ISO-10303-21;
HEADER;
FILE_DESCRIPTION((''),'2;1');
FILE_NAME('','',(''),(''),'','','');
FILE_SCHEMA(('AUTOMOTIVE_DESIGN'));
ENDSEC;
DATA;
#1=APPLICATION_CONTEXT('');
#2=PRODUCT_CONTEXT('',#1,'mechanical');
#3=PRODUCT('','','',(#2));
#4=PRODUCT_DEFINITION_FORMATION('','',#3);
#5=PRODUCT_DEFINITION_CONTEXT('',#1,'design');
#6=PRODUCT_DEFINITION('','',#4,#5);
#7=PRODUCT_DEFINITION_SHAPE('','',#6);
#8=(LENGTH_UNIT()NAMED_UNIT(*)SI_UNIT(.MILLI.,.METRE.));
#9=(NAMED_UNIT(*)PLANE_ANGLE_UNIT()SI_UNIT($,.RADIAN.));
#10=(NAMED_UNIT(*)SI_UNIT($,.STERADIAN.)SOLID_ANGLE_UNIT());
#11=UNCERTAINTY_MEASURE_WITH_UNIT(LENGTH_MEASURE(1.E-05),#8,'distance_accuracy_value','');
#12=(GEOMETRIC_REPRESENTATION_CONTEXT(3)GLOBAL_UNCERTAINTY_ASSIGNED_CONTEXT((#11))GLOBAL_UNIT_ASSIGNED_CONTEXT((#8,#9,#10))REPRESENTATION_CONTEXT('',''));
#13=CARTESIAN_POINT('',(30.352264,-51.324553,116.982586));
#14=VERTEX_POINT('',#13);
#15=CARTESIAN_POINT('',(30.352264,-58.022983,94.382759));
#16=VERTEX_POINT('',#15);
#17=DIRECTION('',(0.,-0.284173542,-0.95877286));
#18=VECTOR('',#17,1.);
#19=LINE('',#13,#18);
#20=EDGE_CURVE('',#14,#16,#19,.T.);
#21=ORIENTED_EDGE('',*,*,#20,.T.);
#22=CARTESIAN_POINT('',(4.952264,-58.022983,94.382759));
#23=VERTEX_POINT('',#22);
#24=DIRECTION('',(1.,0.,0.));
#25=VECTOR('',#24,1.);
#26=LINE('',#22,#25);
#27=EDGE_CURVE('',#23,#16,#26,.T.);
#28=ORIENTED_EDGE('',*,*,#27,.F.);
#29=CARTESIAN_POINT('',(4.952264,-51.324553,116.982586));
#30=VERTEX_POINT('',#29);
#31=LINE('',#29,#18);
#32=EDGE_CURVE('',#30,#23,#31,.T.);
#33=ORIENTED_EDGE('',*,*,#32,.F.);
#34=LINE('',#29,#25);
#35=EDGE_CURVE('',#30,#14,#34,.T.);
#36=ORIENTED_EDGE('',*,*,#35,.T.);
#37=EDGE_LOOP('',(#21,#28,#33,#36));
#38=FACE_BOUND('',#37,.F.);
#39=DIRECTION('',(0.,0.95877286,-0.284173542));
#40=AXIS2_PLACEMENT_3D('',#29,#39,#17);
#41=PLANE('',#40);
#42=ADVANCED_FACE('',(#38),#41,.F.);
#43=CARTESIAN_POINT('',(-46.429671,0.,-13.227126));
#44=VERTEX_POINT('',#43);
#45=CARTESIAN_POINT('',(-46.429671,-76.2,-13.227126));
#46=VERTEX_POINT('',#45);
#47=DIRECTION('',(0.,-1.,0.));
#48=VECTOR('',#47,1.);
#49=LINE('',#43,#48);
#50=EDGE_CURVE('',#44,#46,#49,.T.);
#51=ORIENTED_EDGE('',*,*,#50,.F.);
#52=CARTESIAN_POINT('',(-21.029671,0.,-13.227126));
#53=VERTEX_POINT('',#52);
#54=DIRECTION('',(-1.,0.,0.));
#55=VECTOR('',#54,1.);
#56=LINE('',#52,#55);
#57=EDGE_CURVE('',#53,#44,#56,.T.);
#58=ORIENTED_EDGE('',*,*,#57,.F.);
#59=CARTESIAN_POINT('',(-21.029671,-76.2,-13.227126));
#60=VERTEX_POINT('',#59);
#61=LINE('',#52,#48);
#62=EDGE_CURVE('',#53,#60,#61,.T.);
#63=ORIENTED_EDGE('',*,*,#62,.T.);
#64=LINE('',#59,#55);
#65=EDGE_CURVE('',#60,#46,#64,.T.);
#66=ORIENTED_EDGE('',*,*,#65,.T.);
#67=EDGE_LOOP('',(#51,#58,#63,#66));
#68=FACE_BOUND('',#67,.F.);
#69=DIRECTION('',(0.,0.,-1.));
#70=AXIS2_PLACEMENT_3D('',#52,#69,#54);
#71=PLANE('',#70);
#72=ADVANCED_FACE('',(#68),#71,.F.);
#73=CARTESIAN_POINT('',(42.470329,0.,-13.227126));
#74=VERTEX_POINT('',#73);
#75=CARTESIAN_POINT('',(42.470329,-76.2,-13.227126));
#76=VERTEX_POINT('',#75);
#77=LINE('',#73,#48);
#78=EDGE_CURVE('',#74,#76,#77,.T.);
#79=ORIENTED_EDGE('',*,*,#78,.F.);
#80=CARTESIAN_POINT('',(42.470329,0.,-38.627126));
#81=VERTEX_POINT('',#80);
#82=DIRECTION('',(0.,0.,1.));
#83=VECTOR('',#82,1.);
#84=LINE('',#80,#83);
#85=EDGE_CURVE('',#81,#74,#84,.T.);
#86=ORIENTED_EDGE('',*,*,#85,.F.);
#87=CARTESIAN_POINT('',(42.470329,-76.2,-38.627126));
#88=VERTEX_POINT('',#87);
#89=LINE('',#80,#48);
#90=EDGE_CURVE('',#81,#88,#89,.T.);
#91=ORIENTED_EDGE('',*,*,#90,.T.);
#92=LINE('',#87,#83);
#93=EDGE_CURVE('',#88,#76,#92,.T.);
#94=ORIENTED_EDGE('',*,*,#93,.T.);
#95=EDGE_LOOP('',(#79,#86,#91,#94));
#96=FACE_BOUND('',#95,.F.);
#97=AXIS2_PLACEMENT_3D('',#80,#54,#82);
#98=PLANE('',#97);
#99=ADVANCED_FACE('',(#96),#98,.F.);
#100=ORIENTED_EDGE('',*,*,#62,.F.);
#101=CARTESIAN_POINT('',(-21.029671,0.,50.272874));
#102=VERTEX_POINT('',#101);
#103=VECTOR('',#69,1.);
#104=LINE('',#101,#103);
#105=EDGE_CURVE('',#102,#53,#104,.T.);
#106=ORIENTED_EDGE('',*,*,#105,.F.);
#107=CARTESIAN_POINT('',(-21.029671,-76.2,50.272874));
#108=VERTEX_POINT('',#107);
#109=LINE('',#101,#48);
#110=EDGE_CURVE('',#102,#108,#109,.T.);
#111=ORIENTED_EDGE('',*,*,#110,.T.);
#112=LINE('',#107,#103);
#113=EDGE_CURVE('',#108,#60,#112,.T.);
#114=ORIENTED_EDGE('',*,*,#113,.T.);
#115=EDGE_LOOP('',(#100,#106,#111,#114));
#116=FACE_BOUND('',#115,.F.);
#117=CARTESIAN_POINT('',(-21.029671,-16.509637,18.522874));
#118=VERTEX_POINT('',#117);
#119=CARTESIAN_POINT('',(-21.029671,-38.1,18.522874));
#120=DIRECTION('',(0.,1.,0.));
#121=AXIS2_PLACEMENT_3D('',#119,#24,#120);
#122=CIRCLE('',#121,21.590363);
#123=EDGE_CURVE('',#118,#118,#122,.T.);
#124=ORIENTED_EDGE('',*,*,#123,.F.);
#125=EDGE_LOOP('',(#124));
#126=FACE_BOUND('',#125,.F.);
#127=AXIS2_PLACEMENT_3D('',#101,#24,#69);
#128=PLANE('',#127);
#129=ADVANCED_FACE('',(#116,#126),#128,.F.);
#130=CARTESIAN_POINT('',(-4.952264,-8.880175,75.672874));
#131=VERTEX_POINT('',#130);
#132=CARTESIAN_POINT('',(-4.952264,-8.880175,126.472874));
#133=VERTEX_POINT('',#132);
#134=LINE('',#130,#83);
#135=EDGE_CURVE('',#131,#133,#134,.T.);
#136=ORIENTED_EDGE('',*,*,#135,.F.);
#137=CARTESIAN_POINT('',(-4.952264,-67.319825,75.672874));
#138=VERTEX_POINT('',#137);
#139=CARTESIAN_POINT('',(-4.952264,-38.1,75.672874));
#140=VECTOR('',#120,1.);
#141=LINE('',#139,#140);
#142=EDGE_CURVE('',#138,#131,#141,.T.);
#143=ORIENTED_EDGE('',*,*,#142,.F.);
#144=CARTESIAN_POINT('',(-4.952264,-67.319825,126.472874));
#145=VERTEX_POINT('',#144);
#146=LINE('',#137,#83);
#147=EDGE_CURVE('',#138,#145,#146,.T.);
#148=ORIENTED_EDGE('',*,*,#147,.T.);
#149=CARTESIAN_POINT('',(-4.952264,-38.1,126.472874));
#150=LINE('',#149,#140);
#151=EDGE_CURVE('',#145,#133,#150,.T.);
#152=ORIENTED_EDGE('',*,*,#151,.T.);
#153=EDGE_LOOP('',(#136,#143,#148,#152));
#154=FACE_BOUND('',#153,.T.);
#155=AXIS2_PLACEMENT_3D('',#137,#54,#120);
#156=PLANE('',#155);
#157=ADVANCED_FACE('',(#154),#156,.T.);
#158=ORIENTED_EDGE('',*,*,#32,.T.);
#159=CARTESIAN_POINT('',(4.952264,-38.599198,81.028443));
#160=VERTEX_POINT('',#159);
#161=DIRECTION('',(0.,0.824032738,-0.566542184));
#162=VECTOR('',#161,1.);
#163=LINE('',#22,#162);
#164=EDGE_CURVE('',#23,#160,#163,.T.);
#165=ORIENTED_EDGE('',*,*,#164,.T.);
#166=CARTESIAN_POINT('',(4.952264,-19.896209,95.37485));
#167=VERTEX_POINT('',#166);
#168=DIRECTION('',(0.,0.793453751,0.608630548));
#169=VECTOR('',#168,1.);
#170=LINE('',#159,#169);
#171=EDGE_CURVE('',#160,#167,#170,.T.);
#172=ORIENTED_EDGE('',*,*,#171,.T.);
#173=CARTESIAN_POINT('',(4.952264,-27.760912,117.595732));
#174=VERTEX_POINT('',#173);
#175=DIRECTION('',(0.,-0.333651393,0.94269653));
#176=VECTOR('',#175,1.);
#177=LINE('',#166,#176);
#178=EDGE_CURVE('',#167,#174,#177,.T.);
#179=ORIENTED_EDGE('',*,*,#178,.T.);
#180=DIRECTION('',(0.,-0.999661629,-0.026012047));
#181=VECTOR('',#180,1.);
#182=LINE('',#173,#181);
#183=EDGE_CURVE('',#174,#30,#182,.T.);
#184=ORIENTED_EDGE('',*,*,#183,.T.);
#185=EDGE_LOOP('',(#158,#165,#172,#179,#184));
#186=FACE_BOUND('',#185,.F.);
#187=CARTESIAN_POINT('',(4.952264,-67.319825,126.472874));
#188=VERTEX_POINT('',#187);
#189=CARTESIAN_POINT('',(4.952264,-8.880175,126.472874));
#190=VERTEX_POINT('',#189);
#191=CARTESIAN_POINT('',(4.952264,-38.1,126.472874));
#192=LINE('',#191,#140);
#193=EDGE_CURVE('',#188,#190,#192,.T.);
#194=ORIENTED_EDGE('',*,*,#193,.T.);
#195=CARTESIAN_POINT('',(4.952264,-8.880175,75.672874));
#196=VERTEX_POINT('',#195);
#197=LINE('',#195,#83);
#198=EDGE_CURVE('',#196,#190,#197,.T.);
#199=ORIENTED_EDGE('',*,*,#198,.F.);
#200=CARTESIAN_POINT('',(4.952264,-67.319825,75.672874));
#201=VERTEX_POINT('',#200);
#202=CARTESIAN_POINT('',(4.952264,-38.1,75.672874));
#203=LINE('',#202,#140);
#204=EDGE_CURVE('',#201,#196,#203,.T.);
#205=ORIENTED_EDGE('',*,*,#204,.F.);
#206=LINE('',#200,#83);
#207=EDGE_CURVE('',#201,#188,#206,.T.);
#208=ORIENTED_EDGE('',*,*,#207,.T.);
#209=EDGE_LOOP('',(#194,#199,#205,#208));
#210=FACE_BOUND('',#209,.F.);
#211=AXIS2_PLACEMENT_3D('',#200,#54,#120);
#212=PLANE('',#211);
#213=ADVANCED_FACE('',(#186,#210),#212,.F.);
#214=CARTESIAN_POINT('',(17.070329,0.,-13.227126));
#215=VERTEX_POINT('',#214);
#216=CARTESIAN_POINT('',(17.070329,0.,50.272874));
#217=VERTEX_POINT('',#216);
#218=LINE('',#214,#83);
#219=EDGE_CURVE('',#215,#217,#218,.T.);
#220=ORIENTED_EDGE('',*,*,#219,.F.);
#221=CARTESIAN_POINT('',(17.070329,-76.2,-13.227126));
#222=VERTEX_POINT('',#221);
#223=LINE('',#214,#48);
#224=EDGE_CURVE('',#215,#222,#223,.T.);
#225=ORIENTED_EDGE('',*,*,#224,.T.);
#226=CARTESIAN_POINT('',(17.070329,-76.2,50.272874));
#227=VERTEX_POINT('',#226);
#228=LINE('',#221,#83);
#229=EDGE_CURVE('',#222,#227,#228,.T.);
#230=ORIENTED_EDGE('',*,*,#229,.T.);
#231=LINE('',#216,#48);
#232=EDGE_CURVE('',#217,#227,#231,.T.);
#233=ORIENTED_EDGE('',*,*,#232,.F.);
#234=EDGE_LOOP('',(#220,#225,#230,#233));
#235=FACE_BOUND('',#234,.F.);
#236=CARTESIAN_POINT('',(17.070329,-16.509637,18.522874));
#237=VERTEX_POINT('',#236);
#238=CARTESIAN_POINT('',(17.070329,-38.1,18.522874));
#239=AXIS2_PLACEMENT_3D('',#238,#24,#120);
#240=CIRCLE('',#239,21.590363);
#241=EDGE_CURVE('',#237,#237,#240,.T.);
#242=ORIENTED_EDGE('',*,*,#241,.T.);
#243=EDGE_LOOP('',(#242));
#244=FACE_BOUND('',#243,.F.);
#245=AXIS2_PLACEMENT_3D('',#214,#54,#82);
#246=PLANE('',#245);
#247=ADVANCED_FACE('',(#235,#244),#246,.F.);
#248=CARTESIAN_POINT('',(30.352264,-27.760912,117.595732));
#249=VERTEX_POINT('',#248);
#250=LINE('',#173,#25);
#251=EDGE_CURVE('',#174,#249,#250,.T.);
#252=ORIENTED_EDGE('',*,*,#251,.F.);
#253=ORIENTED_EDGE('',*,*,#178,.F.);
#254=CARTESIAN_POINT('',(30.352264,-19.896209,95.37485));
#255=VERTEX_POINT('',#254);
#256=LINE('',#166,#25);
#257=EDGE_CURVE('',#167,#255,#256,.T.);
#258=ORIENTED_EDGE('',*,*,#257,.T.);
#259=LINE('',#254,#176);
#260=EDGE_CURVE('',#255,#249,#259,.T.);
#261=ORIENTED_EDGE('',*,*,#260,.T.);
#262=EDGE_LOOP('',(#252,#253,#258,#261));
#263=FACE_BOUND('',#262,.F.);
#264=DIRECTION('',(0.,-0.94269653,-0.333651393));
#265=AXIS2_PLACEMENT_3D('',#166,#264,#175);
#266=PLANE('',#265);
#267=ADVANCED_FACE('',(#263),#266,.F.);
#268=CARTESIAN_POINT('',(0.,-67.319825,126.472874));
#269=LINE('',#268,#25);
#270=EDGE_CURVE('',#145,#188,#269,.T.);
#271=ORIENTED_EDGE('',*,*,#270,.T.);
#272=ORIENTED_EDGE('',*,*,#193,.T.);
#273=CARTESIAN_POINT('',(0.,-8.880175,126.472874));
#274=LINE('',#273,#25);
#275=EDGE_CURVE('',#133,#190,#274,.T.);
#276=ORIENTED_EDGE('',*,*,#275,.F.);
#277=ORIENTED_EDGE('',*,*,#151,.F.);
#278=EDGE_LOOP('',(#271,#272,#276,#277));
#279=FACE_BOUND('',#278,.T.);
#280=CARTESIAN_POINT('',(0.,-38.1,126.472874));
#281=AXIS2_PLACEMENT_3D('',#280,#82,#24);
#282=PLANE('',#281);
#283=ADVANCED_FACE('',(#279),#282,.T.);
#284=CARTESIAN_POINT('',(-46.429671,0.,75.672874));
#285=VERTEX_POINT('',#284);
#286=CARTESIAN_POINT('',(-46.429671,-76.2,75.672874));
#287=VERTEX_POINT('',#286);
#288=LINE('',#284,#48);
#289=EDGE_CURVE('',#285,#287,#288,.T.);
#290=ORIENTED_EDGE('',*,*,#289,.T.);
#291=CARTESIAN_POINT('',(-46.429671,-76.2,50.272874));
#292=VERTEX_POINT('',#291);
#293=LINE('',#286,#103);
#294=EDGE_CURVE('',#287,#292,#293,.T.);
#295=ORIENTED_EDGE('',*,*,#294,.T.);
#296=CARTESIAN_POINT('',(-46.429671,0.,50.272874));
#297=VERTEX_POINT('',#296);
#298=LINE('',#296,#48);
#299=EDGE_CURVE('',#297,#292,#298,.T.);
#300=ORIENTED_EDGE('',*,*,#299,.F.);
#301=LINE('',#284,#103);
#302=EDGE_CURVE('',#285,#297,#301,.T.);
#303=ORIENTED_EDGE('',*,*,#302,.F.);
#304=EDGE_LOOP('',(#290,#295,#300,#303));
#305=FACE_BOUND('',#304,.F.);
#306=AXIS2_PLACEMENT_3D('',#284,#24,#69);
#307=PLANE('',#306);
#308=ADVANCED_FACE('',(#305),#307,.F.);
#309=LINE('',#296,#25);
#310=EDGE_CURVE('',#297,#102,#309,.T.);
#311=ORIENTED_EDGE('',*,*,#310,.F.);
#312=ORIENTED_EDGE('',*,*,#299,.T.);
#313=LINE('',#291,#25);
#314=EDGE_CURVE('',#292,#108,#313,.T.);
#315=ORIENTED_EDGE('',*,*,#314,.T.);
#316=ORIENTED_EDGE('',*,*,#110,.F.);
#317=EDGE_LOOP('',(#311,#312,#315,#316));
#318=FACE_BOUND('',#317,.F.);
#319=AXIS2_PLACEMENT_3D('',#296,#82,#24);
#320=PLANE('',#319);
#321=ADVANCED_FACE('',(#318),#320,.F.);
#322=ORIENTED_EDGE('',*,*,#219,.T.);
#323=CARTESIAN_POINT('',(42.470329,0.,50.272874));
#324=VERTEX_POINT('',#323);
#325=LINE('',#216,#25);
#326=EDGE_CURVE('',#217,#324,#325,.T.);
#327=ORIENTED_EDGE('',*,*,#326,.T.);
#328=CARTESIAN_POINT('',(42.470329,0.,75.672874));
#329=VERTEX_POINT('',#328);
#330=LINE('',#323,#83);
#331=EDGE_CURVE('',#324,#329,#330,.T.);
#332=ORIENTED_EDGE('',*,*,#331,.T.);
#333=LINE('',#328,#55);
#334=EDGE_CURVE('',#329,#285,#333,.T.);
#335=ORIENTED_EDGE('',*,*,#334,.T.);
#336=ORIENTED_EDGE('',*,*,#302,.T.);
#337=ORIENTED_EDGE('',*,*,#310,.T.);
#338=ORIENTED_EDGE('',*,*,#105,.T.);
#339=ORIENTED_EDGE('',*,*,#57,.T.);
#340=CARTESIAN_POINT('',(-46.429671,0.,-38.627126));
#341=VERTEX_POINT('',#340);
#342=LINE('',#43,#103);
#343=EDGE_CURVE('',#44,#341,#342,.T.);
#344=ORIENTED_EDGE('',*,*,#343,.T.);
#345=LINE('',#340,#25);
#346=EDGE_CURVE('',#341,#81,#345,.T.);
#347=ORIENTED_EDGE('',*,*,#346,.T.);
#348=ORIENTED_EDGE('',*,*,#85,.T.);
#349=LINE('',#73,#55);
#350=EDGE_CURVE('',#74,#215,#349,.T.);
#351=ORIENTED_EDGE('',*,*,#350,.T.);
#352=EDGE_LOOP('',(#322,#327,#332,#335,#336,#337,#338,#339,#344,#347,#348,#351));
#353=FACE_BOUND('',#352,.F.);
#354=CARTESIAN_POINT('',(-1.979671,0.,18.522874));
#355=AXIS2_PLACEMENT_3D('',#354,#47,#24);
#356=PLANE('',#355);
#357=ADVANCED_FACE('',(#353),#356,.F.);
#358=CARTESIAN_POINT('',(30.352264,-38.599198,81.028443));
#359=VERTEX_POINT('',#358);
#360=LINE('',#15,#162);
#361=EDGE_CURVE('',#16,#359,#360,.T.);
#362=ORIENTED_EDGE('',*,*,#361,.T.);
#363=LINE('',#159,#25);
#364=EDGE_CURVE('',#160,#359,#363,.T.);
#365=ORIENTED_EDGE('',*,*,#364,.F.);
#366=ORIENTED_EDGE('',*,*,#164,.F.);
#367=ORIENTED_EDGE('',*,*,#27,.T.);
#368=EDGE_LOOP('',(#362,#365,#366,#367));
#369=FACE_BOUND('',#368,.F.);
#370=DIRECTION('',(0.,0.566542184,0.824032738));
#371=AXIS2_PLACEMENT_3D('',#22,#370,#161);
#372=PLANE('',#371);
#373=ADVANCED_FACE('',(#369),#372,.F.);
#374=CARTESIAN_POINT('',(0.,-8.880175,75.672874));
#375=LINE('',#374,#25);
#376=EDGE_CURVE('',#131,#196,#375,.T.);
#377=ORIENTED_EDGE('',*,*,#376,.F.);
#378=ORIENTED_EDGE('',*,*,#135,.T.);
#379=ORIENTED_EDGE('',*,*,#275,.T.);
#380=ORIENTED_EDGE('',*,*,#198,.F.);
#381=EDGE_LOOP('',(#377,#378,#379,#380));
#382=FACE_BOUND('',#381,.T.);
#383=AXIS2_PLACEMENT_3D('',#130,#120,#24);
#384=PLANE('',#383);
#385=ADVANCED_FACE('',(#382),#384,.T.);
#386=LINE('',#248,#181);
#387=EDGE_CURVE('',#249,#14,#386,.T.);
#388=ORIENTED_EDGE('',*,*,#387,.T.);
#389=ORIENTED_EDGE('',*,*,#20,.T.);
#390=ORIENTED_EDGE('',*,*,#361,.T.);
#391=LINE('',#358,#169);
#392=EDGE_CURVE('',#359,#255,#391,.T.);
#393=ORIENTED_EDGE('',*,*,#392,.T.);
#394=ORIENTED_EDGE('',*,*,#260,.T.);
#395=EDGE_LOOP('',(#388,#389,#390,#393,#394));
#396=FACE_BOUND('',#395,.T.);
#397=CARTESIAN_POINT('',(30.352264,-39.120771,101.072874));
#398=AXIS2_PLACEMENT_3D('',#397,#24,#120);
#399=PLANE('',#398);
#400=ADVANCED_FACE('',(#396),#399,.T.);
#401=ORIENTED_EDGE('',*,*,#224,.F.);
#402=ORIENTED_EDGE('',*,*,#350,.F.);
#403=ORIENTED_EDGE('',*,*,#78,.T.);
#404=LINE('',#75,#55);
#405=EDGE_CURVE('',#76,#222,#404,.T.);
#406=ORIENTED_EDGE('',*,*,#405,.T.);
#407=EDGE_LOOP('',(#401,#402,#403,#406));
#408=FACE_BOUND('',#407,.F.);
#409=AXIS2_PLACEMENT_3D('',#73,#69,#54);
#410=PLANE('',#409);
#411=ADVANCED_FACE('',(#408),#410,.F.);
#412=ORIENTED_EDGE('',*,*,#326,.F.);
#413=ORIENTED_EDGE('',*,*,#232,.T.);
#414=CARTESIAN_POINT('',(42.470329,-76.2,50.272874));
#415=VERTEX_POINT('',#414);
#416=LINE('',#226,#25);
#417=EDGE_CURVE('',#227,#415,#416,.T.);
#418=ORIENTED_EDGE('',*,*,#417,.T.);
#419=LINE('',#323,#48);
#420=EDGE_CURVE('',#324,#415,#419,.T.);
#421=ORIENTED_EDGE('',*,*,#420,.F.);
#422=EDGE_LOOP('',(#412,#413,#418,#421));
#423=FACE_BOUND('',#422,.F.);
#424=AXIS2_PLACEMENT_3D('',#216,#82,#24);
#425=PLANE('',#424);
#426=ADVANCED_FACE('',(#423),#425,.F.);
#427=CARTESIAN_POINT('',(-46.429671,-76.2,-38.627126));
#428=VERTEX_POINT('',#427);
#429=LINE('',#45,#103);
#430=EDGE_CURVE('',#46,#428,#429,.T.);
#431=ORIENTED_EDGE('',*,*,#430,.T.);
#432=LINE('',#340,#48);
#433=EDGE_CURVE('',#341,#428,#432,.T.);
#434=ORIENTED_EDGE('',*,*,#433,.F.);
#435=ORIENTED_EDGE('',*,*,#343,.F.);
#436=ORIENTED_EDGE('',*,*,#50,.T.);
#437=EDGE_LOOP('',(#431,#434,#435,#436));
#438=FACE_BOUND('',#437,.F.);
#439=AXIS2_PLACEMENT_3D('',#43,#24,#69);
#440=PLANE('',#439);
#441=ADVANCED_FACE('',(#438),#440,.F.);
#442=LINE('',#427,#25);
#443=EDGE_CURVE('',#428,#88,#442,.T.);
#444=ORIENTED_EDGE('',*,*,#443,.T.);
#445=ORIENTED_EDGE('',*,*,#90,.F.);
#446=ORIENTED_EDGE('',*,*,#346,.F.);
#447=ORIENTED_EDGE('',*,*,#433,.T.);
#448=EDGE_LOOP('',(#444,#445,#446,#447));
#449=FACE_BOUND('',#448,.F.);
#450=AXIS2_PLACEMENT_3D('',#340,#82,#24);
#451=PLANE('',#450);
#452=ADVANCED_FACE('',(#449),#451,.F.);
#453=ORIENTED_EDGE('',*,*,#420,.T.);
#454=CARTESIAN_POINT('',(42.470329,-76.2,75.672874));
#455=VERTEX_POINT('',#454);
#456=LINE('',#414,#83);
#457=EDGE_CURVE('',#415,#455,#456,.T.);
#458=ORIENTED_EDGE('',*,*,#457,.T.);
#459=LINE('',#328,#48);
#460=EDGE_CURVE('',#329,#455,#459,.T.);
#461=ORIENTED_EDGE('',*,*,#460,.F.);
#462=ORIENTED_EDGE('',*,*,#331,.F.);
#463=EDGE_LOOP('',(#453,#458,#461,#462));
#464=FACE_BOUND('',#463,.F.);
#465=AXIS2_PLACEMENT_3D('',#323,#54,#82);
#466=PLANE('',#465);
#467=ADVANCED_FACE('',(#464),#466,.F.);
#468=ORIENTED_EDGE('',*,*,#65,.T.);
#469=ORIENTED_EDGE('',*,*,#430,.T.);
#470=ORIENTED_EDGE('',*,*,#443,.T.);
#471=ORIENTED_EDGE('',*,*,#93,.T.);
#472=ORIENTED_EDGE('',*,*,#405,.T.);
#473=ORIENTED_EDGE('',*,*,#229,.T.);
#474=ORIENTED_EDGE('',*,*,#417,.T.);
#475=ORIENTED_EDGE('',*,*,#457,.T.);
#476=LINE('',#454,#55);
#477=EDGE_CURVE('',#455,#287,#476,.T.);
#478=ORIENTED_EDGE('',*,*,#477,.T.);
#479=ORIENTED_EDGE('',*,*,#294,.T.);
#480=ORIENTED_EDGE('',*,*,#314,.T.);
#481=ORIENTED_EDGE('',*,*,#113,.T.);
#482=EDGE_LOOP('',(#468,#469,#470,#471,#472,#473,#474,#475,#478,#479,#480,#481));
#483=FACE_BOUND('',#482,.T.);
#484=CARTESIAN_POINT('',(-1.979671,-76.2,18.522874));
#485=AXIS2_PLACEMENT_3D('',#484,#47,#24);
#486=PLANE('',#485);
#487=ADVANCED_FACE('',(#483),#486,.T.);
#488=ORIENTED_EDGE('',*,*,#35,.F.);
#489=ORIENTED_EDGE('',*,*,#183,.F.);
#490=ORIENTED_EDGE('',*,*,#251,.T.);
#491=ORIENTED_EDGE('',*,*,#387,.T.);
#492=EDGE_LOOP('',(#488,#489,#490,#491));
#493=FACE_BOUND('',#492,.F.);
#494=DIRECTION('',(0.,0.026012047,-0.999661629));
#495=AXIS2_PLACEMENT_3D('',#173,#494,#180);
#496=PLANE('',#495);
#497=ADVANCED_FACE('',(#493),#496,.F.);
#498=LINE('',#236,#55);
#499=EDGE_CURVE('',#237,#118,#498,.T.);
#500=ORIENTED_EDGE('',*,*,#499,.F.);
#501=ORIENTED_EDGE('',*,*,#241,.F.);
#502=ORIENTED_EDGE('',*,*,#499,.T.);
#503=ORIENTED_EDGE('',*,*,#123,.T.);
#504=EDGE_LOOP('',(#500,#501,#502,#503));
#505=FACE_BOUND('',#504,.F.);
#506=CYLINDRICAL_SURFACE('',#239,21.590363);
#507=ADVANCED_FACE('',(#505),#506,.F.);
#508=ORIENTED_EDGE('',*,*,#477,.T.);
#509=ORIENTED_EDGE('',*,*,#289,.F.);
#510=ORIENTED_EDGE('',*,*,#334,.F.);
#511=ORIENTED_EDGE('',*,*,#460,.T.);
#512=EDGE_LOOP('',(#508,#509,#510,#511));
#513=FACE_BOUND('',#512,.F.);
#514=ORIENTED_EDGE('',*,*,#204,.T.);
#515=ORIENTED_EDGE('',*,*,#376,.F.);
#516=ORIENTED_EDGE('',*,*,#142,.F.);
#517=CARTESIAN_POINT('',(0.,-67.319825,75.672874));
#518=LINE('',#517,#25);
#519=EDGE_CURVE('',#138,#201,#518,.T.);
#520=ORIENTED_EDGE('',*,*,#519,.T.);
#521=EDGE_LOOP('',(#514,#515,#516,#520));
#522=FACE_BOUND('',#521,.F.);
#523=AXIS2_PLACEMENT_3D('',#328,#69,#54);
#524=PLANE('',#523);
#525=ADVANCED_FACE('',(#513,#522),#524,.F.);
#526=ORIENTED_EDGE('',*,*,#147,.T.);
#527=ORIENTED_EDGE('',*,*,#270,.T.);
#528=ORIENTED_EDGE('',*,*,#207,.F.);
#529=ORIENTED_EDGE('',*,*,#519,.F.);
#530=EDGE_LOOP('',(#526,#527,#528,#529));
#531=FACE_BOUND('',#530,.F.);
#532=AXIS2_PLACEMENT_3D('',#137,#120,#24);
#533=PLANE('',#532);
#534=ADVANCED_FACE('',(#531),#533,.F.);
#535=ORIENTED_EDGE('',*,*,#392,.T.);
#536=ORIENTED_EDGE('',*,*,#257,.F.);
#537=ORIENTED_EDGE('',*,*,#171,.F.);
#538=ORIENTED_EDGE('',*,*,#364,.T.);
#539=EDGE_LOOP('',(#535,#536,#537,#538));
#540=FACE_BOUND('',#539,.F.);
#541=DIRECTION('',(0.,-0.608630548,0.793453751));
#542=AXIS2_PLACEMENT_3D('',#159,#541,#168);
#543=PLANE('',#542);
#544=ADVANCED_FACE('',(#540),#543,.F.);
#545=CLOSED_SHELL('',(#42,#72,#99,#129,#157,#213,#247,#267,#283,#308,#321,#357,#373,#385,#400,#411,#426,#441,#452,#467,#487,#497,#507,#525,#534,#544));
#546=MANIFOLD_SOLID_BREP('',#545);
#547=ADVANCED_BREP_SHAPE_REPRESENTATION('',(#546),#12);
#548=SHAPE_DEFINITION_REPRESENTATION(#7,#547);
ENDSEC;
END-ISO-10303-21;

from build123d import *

# Parameters (mm, degrees)
F1_DEPTH = 76.2
F2_R     = 21.590363
F3_DEPTH = 63.501
F4_W     = 9.904528
F4_H     = 58.43965
F5_DEPTH = 50.8
F7_DEPTH = 25.4


with BuildPart() as f1:
    # F0 (on Front) → F1 (new body)
    with BuildSketch(Plane.XZ):
        Polygon((-46.429671, -13.227126), (-46.429671, -38.627126), (42.470329, -38.627126), (42.470329, -13.227126), (17.070329, -13.227126), (17.070329, 50.272874), (42.470329, 50.272874), (42.470329, 75.672874), (-46.429671, 75.672874), (-46.429671, 50.272874), (-21.029671, 50.272874), (-21.029671, -13.227126), align=None)
    extrude(amount=F1_DEPTH)

    # F2 (on face) → F3 (cut, through all)
    with BuildSketch(Plane.YZ.offset(17.070329)):
        with Locations((-38.1, 18.522874)):
            Circle(F2_R)
    extrude(amount=-F3_DEPTH, mode=Mode.SUBTRACT)

    # F4 (on face) → F5 (join)
    with BuildSketch(Plane.XY.offset(75.672874)):
        with Locations((0, -38.1)):
            Rectangle(F4_W, F4_H)
    extrude(amount=F5_DEPTH)

    # F6 (on face) → F7 (join)
    with BuildSketch(Plane.YZ.offset(4.952264)):
        Polygon((-19.896209, 95.37485), (-27.760912, 117.595732), (-51.324553, 116.982586), (-58.022983, 94.382759), (-38.599198, 81.028443), align=None)
    extrude(amount=F7_DEPTH)


solid = f1.part
